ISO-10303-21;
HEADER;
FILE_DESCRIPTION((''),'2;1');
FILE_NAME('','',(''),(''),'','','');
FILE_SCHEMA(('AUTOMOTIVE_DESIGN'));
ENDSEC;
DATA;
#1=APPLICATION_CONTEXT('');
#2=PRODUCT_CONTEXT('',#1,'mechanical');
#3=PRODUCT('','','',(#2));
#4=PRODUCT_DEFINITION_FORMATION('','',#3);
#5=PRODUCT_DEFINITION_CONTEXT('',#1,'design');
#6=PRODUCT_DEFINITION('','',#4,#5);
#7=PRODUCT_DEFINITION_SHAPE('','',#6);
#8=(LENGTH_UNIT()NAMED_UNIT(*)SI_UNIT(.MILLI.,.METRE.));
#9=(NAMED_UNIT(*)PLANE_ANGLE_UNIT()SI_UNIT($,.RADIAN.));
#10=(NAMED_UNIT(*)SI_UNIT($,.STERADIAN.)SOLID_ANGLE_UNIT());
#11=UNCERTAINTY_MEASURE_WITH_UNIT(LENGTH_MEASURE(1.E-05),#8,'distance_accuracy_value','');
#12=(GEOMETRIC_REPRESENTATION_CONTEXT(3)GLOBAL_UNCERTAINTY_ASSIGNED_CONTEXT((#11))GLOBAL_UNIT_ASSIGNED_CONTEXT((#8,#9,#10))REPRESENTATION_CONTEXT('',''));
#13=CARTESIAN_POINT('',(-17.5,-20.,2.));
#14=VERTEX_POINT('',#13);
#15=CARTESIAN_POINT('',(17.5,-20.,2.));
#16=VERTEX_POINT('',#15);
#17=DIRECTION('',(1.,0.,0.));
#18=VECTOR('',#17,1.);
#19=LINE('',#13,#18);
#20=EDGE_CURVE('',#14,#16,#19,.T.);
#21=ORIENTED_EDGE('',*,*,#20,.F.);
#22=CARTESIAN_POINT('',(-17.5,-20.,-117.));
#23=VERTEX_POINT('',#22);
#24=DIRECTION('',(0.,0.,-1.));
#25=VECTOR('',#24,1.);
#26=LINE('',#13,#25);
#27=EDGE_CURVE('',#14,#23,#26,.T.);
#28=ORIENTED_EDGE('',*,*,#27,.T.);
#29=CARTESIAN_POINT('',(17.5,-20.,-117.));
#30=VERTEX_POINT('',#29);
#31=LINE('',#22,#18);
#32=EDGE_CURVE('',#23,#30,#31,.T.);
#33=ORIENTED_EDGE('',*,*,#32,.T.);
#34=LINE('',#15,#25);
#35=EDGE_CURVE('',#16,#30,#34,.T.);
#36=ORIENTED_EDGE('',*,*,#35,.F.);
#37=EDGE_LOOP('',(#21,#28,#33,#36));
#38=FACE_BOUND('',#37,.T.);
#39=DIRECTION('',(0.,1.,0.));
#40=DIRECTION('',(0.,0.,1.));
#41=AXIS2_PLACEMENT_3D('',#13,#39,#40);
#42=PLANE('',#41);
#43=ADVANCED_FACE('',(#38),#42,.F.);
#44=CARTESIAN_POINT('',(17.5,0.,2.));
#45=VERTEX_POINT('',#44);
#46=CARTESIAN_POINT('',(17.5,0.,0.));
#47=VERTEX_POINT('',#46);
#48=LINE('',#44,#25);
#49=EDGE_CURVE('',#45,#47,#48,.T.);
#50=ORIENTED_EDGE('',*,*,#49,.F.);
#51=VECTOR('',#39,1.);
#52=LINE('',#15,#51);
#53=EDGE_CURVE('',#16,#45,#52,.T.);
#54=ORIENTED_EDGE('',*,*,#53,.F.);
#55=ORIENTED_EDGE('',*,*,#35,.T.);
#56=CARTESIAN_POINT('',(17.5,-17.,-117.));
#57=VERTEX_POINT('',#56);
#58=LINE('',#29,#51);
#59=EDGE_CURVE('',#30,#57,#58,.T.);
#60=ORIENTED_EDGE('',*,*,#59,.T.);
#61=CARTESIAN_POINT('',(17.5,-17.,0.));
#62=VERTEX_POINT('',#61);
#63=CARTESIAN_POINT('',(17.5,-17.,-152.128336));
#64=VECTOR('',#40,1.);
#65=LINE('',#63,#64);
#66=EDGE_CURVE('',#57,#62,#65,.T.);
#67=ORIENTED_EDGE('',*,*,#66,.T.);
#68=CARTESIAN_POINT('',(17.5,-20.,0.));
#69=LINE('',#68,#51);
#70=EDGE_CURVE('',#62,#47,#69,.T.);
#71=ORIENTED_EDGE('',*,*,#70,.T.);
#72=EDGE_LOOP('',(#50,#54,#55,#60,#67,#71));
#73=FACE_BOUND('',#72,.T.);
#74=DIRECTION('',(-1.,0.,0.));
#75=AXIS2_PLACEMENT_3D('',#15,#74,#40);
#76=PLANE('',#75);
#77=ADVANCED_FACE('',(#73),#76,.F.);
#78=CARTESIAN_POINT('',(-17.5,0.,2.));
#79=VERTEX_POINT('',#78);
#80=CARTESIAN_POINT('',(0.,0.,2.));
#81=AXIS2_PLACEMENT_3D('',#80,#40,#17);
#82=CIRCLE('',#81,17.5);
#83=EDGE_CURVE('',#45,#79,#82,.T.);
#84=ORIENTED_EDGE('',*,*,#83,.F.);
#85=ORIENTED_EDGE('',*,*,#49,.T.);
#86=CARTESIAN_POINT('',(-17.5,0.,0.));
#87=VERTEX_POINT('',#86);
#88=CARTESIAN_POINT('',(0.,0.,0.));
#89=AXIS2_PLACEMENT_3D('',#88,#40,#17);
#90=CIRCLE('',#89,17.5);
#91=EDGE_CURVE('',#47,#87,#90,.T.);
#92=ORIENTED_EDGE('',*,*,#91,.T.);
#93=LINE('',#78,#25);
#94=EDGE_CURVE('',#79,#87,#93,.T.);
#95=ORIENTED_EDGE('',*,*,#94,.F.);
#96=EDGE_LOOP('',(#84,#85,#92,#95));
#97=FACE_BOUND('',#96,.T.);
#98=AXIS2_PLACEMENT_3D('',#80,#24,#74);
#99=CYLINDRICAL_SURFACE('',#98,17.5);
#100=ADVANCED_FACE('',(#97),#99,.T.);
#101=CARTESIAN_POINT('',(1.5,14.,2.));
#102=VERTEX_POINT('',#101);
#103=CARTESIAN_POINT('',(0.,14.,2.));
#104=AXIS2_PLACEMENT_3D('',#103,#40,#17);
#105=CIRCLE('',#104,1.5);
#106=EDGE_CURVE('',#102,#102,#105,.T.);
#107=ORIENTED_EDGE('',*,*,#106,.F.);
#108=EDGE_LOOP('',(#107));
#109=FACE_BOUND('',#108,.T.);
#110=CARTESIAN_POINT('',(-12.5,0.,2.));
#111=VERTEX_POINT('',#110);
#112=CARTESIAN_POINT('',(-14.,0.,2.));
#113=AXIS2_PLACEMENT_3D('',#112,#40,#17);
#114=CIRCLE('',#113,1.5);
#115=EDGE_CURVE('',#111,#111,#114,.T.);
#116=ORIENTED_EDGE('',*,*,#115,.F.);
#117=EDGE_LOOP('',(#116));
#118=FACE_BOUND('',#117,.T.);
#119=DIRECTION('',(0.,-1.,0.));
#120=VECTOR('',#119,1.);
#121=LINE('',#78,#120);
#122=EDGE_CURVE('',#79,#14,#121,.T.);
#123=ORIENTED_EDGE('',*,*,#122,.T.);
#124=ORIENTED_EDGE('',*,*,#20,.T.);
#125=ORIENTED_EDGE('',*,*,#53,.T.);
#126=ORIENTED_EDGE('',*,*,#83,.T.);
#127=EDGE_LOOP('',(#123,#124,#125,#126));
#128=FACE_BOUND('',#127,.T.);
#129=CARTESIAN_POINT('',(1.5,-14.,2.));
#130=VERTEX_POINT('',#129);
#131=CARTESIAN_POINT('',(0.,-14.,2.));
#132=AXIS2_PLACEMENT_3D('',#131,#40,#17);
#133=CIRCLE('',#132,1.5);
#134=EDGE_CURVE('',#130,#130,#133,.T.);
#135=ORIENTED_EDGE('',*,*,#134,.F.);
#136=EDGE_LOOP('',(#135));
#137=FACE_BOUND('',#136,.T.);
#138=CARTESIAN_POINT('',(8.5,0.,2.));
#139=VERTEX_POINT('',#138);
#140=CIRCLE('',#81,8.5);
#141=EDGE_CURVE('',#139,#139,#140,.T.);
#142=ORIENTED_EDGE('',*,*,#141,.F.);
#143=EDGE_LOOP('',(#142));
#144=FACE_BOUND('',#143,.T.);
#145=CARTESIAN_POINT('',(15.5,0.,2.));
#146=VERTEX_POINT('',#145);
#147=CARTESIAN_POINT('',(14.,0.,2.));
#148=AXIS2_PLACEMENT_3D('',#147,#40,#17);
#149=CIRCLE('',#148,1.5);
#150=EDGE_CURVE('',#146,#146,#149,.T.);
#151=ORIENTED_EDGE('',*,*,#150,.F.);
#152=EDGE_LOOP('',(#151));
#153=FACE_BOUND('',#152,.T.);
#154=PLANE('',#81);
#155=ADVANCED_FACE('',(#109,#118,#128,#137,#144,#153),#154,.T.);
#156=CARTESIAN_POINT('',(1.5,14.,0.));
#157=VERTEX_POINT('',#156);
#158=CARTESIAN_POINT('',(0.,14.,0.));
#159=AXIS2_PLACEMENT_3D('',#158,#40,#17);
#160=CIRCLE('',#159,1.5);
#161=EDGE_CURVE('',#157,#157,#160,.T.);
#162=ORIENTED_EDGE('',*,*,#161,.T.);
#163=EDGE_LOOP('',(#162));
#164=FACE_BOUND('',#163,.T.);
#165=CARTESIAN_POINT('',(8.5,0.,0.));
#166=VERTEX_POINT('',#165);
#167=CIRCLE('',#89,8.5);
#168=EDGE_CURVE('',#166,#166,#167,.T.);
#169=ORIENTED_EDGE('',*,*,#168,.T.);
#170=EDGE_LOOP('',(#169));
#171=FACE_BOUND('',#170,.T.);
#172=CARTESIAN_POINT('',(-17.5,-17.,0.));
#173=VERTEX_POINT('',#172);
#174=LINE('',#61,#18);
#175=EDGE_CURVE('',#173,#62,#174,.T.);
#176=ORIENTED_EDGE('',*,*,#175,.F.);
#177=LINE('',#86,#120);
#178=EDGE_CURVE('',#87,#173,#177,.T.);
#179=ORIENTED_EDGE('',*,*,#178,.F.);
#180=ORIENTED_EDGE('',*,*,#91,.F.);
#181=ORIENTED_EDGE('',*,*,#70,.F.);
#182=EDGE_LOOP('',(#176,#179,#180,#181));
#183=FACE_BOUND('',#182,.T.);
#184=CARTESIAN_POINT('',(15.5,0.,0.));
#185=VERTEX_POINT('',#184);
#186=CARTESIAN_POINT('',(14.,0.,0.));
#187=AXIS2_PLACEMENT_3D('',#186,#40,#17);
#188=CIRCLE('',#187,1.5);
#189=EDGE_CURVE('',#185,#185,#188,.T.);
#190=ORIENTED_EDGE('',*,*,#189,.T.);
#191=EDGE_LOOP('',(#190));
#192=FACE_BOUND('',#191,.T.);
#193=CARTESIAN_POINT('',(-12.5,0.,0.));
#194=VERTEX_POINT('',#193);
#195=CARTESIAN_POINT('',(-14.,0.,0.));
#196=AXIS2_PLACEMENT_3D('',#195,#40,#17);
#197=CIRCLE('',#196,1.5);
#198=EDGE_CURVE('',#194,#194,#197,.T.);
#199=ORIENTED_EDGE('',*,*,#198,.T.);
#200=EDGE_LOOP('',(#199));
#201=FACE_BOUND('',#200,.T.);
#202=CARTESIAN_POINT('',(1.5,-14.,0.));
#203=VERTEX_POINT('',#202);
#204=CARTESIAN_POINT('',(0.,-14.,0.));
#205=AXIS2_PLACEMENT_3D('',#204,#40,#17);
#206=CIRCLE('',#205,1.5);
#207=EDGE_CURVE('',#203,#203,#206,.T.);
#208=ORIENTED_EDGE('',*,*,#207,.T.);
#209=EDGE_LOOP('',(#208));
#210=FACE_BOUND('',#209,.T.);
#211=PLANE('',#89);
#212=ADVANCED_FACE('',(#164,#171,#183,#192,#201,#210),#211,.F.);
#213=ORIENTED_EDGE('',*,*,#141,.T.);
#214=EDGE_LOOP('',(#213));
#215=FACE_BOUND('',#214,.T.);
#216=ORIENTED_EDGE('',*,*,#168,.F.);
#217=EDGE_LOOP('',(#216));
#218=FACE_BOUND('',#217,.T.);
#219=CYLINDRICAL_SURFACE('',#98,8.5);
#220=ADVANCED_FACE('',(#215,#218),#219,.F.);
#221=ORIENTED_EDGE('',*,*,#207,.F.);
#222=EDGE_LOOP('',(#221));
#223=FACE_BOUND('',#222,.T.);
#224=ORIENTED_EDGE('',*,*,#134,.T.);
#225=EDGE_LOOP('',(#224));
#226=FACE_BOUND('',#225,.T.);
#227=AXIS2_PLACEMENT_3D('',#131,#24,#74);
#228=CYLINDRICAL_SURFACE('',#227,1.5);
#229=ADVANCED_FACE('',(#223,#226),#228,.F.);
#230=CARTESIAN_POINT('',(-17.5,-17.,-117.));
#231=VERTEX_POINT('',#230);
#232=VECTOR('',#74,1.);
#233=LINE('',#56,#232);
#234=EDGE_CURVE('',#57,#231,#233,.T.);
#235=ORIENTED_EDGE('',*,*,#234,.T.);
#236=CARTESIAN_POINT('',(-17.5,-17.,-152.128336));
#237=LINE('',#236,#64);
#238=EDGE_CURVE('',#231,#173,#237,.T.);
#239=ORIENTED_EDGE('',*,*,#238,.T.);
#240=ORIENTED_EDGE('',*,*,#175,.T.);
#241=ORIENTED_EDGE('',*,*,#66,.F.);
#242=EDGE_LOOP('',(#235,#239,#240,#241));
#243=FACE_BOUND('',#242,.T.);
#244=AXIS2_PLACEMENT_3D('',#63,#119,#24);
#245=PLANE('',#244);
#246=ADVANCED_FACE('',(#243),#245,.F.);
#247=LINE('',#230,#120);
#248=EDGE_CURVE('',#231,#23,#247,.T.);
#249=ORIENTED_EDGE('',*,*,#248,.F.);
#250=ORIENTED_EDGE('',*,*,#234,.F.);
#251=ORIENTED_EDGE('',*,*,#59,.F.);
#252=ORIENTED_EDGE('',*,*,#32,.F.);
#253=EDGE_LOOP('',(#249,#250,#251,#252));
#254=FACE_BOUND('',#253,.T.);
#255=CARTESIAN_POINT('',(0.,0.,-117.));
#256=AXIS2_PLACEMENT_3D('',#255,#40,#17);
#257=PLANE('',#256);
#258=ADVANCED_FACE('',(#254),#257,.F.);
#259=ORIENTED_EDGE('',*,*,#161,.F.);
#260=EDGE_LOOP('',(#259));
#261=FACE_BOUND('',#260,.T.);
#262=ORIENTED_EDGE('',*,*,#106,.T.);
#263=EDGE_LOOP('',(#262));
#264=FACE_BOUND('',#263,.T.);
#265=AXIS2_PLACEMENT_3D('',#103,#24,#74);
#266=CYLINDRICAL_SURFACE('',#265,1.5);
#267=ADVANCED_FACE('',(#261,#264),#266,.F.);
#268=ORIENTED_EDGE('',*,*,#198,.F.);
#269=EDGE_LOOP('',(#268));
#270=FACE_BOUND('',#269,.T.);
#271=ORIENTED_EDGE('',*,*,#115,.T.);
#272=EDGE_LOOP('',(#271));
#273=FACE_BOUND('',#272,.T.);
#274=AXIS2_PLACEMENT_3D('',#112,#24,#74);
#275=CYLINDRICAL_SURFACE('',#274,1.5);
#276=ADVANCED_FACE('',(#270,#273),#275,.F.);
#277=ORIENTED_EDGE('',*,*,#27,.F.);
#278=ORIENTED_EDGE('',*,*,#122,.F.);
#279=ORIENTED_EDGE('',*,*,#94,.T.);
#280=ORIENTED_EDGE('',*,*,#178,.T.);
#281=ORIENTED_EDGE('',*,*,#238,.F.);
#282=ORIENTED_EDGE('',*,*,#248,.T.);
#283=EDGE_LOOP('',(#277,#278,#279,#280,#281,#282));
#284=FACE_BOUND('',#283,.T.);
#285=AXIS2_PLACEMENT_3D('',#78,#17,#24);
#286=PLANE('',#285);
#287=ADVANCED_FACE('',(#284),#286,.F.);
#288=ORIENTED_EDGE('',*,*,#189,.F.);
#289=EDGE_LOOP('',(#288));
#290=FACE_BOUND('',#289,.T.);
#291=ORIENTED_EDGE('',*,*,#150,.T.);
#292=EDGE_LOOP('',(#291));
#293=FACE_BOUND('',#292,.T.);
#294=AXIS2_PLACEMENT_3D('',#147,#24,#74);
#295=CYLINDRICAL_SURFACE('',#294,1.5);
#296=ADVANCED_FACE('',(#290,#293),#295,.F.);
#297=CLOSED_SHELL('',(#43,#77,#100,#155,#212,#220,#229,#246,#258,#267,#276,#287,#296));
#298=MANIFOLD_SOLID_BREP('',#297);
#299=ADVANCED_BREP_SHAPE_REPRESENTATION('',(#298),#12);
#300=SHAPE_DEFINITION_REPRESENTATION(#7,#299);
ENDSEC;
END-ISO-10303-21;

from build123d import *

# Parameters (mm, degrees)
SKETCH1_R           = 1.5
SKETCH1_R_2         = 8.5
BOSS_EXTRUDE1_DEPTH = 2
SKETCH2_W           = 35
SKETCH2_H           = 3
BOSS_EXTRUDE2_DEPTH = 117


with BuildPart() as part:
    # Sketch1 → Boss-Extrude1 (new body)
    with BuildSketch(Plane.XY):
        with BuildLine():
            Line((-17.5, 0), (-17.5, -20))
            Line((-17.5, -20), (17.5, -20))
            Line((17.5, -20), (17.5, 0))
            ThreePointArc((17.5, 0), (0, 17.5), (-17.5, 0))
        make_face()
        with Locations((0, 14)):
            Circle(SKETCH1_R, mode=Mode.SUBTRACT)
        with Locations((14, 0)):
            Circle(SKETCH1_R, mode=Mode.SUBTRACT)
        with Locations((0, -14)):
            Circle(SKETCH1_R, mode=Mode.SUBTRACT)
        with Locations((-14, 0)):
            Circle(SKETCH1_R, mode=Mode.SUBTRACT)
        Circle(SKETCH1_R_2, mode=Mode.SUBTRACT)
    extrude(amount=BOSS_EXTRUDE1_DEPTH)

    # Sketch2 → Boss-Extrude2 (add)
    with BuildSketch(Plane(origin=(0, 0, 0), x_dir=(-1, 0, 0), z_dir=(0, 0, -1))):
        with Locations((0, -18.5)):
            Rectangle(SKETCH2_W, SKETCH2_H)
    extrude(amount=BOSS_EXTRUDE2_DEPTH)


solid = part.part
